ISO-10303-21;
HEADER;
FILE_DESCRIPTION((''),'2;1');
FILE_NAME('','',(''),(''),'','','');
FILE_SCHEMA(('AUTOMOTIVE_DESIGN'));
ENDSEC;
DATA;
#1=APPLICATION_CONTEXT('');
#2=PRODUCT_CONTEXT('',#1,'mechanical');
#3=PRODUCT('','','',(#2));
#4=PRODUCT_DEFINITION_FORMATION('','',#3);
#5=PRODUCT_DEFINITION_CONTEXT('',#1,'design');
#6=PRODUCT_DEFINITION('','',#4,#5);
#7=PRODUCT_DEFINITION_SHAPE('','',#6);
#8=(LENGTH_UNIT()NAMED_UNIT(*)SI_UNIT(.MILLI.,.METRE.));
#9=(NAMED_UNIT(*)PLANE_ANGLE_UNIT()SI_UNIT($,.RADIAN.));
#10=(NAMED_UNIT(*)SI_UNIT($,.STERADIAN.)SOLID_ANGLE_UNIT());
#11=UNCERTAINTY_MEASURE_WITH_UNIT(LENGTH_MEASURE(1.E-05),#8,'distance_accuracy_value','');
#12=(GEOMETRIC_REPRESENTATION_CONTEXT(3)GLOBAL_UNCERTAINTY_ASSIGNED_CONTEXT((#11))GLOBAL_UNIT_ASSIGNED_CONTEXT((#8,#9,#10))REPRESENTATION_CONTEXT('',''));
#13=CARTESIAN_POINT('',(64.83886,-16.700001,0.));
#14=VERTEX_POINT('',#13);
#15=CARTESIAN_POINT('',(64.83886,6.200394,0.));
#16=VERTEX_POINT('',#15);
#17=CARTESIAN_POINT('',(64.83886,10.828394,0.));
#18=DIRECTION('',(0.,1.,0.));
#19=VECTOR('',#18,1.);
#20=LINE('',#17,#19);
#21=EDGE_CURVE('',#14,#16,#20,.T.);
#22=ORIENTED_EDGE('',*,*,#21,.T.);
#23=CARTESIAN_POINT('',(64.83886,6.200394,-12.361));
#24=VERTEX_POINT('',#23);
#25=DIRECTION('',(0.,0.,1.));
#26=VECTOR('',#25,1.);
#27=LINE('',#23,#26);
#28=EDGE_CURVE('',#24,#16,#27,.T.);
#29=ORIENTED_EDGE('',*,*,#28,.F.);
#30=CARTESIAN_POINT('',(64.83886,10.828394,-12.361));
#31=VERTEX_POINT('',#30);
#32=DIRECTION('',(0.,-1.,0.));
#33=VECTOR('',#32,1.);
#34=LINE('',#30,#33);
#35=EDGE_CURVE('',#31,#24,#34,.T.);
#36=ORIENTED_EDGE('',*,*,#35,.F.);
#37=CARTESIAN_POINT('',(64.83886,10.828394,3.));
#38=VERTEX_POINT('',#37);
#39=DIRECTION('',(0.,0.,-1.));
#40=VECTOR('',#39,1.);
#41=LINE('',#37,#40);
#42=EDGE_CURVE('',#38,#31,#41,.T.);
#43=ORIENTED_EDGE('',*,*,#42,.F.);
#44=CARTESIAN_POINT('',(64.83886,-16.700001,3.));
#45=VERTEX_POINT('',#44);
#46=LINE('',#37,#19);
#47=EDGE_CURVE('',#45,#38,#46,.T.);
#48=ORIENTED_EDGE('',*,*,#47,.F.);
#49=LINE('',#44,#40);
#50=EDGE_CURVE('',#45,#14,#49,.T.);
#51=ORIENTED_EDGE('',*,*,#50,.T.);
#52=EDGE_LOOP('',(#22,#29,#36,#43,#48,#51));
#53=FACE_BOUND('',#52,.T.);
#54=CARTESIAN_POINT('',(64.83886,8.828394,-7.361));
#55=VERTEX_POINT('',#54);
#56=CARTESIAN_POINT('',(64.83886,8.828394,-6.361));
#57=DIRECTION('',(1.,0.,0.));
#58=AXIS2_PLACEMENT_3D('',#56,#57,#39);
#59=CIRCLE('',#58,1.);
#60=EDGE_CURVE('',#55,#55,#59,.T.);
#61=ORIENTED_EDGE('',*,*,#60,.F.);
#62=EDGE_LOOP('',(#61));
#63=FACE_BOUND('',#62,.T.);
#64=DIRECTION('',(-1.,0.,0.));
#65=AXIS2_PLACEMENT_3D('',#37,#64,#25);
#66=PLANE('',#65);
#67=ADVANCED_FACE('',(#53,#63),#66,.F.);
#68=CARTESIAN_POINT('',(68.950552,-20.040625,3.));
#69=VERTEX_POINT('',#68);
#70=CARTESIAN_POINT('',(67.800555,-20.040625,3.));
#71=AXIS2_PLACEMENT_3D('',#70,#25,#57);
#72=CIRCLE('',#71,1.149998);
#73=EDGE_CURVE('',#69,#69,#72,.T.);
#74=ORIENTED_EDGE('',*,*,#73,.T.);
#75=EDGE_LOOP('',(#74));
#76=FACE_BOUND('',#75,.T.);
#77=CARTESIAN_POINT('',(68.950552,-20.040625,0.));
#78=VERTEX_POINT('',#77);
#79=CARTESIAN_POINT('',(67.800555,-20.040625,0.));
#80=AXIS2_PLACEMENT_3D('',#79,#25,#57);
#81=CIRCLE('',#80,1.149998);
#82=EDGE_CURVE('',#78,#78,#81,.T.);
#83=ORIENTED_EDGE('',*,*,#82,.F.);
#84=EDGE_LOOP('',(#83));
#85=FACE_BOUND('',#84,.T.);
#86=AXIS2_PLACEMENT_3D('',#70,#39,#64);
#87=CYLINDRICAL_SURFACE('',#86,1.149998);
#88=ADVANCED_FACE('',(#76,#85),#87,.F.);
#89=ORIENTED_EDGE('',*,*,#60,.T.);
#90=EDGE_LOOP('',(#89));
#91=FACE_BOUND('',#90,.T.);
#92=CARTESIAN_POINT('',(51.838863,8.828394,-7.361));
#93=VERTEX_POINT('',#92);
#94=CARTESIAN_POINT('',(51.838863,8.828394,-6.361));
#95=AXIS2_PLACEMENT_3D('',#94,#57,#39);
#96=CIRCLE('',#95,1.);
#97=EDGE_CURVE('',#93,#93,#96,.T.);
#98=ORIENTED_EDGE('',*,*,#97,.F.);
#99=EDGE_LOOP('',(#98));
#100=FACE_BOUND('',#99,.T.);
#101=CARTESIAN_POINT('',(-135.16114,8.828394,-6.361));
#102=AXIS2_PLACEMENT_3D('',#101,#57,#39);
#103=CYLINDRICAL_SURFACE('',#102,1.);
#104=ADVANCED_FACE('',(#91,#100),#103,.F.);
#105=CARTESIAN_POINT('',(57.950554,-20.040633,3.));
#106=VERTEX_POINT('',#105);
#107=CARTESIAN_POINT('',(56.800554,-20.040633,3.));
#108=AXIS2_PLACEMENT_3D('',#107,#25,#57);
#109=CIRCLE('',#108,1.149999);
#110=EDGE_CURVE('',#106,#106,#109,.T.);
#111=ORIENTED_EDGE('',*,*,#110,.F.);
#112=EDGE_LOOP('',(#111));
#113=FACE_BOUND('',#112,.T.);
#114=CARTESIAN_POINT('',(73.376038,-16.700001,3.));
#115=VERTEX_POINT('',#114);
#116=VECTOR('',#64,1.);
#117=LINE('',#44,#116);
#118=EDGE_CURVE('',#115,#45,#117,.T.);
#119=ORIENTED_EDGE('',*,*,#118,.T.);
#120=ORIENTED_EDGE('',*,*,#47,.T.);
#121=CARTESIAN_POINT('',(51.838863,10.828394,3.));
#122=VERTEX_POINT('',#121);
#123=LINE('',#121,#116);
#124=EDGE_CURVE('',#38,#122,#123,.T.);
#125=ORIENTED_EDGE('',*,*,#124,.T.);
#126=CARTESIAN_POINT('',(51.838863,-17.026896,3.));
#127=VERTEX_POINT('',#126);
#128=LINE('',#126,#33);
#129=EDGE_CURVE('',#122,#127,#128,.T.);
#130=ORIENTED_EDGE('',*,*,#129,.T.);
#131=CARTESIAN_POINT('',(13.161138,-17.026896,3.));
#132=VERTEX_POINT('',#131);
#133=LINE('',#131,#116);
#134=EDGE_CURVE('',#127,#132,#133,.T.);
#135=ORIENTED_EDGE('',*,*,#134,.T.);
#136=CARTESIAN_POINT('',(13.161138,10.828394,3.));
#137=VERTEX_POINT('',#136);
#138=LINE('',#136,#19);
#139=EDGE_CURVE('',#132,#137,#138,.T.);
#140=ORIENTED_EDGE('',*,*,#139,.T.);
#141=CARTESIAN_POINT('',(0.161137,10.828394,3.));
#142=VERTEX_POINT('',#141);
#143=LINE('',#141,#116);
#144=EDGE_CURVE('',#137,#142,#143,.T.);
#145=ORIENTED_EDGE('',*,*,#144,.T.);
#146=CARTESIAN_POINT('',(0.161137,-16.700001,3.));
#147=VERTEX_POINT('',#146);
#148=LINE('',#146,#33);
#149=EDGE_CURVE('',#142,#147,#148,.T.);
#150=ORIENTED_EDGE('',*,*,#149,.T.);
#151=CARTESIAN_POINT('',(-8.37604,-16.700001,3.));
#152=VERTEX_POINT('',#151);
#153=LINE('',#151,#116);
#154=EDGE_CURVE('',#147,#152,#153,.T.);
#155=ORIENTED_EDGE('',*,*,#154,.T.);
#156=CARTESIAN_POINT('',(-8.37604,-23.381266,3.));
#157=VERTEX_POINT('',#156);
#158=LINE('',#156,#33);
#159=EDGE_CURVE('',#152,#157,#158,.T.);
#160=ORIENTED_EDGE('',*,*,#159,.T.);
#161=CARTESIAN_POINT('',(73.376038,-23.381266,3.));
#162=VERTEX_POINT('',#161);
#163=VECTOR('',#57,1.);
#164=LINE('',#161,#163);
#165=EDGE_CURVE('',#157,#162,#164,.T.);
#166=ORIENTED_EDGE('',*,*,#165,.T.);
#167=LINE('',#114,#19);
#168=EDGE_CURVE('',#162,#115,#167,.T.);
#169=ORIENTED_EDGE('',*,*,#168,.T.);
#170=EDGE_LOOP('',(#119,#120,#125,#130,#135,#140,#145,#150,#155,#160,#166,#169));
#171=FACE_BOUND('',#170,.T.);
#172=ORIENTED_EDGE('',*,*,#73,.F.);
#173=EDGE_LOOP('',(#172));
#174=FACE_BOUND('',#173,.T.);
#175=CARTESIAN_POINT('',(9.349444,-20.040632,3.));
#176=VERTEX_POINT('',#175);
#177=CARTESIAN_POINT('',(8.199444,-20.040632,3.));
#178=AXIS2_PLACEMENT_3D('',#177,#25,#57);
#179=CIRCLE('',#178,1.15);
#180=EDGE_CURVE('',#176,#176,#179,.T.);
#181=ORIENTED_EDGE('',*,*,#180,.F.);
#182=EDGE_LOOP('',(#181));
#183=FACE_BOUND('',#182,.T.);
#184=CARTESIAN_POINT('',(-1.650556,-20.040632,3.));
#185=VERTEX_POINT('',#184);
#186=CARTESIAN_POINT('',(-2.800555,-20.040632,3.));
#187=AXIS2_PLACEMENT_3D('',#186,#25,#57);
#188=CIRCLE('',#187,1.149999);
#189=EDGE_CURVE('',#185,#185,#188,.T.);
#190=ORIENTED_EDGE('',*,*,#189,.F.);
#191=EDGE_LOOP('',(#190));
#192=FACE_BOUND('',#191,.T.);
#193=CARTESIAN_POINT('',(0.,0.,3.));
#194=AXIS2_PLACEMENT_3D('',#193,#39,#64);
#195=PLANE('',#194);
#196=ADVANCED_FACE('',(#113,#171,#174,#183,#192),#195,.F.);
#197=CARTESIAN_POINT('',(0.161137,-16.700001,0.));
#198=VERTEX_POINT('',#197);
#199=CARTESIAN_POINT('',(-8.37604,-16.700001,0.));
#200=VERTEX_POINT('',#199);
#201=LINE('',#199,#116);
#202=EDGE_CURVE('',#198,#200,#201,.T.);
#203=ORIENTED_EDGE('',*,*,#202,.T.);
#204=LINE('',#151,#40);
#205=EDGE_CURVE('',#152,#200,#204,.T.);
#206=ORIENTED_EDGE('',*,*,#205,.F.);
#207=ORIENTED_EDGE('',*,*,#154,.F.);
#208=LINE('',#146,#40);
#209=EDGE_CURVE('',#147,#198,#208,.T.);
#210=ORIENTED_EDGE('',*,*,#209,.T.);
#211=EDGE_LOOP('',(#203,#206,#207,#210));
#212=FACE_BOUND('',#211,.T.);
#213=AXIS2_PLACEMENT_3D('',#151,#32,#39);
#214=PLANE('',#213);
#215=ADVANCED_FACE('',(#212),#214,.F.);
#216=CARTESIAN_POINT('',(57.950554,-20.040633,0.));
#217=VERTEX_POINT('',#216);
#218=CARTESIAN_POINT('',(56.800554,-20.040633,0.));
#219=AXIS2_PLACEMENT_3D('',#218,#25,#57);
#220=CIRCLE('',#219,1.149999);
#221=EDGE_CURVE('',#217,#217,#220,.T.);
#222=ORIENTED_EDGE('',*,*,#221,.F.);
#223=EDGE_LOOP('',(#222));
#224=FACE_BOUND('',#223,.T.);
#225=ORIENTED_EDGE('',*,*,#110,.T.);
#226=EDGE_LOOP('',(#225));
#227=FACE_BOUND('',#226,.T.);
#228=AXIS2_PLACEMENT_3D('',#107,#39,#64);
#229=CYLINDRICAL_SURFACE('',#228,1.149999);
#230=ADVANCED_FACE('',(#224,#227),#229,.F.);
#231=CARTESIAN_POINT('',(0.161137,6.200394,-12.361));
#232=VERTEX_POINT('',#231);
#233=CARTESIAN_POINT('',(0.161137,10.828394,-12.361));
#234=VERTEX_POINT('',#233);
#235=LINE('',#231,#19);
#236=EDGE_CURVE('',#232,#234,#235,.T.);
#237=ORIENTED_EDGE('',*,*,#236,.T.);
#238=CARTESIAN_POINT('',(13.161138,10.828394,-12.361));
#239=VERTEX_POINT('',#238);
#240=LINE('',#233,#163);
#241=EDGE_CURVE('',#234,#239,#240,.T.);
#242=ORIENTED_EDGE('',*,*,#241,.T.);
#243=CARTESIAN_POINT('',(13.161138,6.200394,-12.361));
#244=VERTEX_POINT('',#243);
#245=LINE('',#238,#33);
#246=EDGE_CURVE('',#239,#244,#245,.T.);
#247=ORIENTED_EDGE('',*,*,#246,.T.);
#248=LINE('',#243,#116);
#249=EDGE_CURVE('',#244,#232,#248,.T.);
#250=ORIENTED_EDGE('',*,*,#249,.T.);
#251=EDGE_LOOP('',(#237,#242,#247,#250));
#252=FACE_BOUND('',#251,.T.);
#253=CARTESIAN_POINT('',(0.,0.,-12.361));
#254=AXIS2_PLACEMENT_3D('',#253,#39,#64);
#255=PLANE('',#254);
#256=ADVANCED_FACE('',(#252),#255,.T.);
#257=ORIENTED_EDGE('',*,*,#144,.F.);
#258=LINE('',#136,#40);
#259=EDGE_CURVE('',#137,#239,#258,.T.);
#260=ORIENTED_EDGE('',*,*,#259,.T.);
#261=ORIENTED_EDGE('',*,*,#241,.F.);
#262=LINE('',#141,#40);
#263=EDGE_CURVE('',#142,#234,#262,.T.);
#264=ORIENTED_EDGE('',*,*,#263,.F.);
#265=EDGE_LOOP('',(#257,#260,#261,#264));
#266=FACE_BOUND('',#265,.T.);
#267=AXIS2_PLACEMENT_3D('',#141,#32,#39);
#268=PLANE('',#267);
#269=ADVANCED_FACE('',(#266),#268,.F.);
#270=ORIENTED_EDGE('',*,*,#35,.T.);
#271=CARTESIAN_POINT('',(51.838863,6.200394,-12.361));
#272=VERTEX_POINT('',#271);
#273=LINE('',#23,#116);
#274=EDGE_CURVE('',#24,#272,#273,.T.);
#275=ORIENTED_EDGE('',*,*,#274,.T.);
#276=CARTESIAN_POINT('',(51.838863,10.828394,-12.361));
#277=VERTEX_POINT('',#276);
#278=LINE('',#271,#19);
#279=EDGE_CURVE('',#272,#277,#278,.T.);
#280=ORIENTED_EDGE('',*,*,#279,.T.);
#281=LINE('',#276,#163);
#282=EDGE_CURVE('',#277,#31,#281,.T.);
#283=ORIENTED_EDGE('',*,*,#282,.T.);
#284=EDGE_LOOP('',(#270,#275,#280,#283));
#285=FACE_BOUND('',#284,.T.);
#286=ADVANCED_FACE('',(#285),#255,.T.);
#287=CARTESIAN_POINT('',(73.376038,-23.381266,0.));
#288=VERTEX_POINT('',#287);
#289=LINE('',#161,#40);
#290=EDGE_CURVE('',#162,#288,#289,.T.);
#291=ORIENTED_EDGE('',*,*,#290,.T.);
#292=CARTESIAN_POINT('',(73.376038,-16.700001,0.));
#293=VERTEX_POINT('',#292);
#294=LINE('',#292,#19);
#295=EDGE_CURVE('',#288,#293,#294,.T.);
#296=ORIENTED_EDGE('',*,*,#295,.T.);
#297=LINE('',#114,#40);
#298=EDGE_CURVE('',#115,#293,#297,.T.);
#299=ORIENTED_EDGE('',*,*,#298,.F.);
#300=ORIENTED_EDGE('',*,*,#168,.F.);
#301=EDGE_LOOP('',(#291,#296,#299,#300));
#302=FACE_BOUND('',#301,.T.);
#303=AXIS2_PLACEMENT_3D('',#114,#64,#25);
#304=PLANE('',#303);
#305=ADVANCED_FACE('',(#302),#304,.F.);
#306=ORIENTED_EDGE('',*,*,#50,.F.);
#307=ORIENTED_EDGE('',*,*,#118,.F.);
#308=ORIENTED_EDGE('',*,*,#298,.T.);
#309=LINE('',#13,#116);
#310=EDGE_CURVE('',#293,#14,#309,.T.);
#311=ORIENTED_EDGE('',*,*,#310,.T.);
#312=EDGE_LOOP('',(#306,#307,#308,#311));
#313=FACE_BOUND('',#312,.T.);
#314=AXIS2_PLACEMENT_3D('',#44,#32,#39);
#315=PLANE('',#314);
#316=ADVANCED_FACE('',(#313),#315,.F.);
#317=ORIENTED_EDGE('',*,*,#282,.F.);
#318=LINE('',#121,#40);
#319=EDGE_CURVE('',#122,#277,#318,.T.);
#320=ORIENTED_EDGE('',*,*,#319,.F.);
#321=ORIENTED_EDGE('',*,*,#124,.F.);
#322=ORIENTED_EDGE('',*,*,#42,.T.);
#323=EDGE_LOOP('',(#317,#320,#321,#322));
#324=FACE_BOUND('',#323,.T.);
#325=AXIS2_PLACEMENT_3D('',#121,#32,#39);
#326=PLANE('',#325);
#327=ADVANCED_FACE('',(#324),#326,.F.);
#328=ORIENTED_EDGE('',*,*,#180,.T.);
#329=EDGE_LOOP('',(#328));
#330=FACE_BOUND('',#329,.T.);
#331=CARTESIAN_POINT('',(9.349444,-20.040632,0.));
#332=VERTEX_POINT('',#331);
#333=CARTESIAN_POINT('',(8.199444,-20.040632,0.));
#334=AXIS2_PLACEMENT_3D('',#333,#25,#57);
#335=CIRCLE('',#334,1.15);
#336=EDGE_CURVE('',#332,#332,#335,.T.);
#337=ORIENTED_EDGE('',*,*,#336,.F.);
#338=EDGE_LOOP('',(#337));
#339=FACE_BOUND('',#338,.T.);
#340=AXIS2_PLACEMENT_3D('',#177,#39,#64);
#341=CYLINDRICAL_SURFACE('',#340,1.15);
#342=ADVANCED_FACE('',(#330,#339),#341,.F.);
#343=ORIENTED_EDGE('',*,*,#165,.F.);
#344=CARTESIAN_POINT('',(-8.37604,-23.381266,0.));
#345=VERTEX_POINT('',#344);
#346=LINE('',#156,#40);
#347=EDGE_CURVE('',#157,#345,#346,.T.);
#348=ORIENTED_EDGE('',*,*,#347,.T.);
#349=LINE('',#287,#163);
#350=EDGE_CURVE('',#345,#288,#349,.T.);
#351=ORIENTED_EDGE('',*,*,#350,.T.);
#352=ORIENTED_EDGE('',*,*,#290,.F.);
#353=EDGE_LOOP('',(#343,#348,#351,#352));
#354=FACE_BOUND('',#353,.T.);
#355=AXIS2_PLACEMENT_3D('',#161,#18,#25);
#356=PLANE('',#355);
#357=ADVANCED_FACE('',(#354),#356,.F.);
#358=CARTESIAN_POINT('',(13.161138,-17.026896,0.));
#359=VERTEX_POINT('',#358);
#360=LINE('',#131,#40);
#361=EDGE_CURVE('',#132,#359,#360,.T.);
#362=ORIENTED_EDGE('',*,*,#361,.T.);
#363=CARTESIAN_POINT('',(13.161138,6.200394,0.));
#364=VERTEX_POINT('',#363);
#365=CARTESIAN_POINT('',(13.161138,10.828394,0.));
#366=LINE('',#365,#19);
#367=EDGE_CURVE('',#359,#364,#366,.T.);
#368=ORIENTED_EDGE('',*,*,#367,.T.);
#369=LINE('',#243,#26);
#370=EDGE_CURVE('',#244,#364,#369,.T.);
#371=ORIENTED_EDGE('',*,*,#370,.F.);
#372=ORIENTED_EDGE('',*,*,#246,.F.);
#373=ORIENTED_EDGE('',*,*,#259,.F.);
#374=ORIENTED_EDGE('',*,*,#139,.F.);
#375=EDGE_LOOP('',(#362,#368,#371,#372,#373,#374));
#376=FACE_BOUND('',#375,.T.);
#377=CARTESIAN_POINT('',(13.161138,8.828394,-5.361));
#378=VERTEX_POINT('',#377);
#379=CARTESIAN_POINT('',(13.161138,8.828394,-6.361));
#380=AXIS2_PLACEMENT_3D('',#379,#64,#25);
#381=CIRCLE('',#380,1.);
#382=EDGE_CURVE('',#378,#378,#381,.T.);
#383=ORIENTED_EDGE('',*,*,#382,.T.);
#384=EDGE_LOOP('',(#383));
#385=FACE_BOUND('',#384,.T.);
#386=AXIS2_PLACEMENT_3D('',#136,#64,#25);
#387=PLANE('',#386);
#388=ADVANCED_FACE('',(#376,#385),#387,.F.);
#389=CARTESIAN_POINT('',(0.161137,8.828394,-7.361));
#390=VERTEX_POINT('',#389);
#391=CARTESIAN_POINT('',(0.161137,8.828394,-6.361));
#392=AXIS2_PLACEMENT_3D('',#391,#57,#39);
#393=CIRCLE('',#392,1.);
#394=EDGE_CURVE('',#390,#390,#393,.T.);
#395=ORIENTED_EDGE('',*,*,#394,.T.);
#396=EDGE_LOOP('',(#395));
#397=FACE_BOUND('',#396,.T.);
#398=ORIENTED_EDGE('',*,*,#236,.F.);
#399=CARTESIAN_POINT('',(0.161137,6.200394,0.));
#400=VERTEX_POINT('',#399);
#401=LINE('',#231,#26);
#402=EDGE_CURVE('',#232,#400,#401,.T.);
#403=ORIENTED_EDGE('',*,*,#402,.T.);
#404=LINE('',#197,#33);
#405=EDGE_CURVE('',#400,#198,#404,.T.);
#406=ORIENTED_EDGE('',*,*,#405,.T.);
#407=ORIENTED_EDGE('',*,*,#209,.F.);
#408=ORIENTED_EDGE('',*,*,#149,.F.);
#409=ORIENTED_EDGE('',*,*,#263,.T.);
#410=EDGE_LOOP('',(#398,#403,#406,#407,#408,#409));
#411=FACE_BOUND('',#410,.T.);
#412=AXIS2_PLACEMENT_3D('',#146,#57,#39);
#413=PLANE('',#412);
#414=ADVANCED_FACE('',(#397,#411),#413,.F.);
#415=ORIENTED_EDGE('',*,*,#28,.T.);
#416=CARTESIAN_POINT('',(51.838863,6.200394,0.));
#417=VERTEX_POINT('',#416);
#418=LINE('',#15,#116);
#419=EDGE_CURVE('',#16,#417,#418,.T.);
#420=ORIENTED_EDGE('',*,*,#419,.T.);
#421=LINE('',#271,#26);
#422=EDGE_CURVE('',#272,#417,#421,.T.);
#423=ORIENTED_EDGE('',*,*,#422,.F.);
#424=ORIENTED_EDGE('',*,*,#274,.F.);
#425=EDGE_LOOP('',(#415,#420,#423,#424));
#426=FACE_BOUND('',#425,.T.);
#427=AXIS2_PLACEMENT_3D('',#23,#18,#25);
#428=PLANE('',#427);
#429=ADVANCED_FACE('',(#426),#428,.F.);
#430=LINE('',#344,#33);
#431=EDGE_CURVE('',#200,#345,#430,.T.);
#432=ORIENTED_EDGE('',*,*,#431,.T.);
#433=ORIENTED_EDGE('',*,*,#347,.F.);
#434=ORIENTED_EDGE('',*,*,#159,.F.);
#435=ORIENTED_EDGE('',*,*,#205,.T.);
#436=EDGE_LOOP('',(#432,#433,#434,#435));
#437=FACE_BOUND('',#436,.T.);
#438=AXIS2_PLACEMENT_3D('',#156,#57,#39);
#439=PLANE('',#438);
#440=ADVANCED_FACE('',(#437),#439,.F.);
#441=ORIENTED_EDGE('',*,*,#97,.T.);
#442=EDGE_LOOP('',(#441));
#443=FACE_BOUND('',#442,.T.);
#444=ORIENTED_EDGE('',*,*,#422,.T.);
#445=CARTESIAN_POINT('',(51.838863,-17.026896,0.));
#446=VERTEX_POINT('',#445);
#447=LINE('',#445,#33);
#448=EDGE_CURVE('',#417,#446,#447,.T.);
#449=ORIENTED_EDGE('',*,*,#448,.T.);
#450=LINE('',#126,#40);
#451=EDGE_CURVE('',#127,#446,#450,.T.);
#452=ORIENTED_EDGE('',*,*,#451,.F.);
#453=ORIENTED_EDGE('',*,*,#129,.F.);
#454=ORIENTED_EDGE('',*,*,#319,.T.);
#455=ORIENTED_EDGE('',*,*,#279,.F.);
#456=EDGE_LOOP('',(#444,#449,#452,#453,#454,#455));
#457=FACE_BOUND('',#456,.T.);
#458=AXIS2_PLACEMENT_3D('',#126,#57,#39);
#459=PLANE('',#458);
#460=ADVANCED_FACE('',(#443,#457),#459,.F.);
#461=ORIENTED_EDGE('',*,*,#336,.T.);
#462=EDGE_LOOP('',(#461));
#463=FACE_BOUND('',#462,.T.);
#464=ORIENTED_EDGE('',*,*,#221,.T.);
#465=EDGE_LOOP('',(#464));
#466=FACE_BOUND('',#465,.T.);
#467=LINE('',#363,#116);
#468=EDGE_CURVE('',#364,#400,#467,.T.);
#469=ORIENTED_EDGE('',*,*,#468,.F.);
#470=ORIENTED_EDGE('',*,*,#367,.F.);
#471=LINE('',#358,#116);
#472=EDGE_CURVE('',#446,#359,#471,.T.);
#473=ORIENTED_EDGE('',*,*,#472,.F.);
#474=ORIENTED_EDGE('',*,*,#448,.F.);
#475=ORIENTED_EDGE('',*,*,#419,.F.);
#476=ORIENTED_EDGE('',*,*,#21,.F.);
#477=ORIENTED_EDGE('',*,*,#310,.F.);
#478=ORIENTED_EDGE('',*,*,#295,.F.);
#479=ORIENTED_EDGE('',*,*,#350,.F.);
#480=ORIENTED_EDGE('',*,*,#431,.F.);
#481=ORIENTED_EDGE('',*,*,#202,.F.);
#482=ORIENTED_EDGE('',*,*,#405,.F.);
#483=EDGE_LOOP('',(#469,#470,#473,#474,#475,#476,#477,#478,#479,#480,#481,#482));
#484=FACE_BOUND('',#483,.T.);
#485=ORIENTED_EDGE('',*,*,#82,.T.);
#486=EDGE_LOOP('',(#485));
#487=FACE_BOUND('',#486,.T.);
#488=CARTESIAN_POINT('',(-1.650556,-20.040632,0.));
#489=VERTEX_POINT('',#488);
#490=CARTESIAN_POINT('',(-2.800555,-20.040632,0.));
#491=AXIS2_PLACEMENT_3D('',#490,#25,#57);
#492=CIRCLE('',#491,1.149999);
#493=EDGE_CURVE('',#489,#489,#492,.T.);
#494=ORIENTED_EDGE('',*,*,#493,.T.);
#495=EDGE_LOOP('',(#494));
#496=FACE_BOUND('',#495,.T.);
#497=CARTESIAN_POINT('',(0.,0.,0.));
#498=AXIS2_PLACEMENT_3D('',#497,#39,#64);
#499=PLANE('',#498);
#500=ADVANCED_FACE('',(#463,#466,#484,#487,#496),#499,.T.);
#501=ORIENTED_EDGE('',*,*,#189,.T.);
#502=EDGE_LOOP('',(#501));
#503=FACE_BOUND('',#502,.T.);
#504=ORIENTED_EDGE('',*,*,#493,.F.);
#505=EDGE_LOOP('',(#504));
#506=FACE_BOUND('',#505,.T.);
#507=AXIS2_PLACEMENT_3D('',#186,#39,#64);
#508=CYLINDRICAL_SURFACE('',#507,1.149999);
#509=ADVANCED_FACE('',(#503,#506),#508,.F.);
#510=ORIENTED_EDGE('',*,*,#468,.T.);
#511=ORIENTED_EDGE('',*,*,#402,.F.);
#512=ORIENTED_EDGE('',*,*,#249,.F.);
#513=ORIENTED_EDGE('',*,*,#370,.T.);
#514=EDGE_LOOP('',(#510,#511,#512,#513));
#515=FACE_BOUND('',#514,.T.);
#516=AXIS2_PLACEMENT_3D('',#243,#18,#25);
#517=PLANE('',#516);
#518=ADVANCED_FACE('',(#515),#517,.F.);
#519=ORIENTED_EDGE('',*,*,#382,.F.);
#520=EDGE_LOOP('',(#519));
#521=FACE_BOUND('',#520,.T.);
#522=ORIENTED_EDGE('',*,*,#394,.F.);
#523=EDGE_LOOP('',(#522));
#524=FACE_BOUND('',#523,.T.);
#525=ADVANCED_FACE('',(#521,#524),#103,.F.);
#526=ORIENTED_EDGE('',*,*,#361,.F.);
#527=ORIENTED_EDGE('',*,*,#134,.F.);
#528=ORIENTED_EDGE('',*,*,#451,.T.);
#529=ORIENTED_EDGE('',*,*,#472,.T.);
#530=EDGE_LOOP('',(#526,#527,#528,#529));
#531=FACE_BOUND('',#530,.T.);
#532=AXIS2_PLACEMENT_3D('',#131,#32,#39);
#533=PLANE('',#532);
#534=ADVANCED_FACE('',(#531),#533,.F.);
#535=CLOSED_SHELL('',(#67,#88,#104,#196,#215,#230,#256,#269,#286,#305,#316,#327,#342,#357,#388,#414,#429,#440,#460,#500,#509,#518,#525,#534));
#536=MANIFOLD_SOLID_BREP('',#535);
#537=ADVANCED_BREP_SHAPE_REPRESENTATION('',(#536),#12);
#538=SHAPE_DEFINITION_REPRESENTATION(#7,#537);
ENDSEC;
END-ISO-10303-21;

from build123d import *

# Parameters (mm, degrees)
SKETCH_1_R          = 1.149999389
SKETCH_1_R_2        = 1.149999553
SKETCH_1_R_3        = 1.149999359
SKETCH_1_R_4        = 1.149997552
EXTRUDE_1_DEPTH     = 3
SKETCH_4_W          = 12.999996185
SKETCH_4_H          = 4.628
SKETCH_4_W_2        = 13.000000328
EXTRUDE_2_DEPTH     = 12.361
SKETCH_6_R          = 1
CUT_EXTRUDE_2_DEPTH = 200


with BuildPart() as part:
    # 草图1 → 凸台-拉伸1 (new body)
    with BuildSketch(Plane.XY):
        Polygon((13.161137581, 10.828393936), (13.161137581, -17.026895523), (51.838863373, -17.026895523), (51.838863373, 10.828393936), (64.838859558, 10.828393936), (64.838859558, -16.700000763), (73.376037598, -16.700000763), (73.376037598, -23.38126564), (-8.376040459, -23.38126564), (-8.376040459, -16.700000763), (0.161137253, -16.700000763), (0.161137253, 10.828393936), align=None)
        with Locations((-2.800555034, -20.040632255)):
            Circle(SKETCH_1_R, mode=Mode.SUBTRACT)
        with Locations((8.199444431, -20.040632183)):
            Circle(SKETCH_1_R_2, mode=Mode.SUBTRACT)
        with Locations((56.800554471, -20.040632944)):
            Circle(SKETCH_1_R_3, mode=Mode.SUBTRACT)
        with Locations((67.800554915, -20.040625058)):
            Circle(SKETCH_1_R_4, mode=Mode.SUBTRACT)
    extrude(amount=EXTRUDE_1_DEPTH)

    # 草图4 → 凸台-拉伸2 (add)
    with BuildSketch(Plane(origin=(0, 0, 0), x_dir=(-1, 0, 0), z_dir=(0, 0, -1))):
        with Locations((-58.338861466, 8.514393936)):
            Rectangle(SKETCH_4_W, SKETCH_4_H)
        with Locations((-6.661137417, 8.514393936)):
            Rectangle(SKETCH_4_W_2, SKETCH_4_H)
    extrude(amount=EXTRUDE_2_DEPTH)

    # 草图6 → 切除-拉伸2 (cut)
    with BuildSketch(Plane(origin=(64.838859558, 0, 0), x_dir=(0, 0, -1), z_dir=(1, 0, 0))):
        with Locations((6.361, 8.828393936)):
            Circle(SKETCH_6_R)
    extrude(amount=-CUT_EXTRUDE_2_DEPTH, mode=Mode.SUBTRACT)


solid = part.part
